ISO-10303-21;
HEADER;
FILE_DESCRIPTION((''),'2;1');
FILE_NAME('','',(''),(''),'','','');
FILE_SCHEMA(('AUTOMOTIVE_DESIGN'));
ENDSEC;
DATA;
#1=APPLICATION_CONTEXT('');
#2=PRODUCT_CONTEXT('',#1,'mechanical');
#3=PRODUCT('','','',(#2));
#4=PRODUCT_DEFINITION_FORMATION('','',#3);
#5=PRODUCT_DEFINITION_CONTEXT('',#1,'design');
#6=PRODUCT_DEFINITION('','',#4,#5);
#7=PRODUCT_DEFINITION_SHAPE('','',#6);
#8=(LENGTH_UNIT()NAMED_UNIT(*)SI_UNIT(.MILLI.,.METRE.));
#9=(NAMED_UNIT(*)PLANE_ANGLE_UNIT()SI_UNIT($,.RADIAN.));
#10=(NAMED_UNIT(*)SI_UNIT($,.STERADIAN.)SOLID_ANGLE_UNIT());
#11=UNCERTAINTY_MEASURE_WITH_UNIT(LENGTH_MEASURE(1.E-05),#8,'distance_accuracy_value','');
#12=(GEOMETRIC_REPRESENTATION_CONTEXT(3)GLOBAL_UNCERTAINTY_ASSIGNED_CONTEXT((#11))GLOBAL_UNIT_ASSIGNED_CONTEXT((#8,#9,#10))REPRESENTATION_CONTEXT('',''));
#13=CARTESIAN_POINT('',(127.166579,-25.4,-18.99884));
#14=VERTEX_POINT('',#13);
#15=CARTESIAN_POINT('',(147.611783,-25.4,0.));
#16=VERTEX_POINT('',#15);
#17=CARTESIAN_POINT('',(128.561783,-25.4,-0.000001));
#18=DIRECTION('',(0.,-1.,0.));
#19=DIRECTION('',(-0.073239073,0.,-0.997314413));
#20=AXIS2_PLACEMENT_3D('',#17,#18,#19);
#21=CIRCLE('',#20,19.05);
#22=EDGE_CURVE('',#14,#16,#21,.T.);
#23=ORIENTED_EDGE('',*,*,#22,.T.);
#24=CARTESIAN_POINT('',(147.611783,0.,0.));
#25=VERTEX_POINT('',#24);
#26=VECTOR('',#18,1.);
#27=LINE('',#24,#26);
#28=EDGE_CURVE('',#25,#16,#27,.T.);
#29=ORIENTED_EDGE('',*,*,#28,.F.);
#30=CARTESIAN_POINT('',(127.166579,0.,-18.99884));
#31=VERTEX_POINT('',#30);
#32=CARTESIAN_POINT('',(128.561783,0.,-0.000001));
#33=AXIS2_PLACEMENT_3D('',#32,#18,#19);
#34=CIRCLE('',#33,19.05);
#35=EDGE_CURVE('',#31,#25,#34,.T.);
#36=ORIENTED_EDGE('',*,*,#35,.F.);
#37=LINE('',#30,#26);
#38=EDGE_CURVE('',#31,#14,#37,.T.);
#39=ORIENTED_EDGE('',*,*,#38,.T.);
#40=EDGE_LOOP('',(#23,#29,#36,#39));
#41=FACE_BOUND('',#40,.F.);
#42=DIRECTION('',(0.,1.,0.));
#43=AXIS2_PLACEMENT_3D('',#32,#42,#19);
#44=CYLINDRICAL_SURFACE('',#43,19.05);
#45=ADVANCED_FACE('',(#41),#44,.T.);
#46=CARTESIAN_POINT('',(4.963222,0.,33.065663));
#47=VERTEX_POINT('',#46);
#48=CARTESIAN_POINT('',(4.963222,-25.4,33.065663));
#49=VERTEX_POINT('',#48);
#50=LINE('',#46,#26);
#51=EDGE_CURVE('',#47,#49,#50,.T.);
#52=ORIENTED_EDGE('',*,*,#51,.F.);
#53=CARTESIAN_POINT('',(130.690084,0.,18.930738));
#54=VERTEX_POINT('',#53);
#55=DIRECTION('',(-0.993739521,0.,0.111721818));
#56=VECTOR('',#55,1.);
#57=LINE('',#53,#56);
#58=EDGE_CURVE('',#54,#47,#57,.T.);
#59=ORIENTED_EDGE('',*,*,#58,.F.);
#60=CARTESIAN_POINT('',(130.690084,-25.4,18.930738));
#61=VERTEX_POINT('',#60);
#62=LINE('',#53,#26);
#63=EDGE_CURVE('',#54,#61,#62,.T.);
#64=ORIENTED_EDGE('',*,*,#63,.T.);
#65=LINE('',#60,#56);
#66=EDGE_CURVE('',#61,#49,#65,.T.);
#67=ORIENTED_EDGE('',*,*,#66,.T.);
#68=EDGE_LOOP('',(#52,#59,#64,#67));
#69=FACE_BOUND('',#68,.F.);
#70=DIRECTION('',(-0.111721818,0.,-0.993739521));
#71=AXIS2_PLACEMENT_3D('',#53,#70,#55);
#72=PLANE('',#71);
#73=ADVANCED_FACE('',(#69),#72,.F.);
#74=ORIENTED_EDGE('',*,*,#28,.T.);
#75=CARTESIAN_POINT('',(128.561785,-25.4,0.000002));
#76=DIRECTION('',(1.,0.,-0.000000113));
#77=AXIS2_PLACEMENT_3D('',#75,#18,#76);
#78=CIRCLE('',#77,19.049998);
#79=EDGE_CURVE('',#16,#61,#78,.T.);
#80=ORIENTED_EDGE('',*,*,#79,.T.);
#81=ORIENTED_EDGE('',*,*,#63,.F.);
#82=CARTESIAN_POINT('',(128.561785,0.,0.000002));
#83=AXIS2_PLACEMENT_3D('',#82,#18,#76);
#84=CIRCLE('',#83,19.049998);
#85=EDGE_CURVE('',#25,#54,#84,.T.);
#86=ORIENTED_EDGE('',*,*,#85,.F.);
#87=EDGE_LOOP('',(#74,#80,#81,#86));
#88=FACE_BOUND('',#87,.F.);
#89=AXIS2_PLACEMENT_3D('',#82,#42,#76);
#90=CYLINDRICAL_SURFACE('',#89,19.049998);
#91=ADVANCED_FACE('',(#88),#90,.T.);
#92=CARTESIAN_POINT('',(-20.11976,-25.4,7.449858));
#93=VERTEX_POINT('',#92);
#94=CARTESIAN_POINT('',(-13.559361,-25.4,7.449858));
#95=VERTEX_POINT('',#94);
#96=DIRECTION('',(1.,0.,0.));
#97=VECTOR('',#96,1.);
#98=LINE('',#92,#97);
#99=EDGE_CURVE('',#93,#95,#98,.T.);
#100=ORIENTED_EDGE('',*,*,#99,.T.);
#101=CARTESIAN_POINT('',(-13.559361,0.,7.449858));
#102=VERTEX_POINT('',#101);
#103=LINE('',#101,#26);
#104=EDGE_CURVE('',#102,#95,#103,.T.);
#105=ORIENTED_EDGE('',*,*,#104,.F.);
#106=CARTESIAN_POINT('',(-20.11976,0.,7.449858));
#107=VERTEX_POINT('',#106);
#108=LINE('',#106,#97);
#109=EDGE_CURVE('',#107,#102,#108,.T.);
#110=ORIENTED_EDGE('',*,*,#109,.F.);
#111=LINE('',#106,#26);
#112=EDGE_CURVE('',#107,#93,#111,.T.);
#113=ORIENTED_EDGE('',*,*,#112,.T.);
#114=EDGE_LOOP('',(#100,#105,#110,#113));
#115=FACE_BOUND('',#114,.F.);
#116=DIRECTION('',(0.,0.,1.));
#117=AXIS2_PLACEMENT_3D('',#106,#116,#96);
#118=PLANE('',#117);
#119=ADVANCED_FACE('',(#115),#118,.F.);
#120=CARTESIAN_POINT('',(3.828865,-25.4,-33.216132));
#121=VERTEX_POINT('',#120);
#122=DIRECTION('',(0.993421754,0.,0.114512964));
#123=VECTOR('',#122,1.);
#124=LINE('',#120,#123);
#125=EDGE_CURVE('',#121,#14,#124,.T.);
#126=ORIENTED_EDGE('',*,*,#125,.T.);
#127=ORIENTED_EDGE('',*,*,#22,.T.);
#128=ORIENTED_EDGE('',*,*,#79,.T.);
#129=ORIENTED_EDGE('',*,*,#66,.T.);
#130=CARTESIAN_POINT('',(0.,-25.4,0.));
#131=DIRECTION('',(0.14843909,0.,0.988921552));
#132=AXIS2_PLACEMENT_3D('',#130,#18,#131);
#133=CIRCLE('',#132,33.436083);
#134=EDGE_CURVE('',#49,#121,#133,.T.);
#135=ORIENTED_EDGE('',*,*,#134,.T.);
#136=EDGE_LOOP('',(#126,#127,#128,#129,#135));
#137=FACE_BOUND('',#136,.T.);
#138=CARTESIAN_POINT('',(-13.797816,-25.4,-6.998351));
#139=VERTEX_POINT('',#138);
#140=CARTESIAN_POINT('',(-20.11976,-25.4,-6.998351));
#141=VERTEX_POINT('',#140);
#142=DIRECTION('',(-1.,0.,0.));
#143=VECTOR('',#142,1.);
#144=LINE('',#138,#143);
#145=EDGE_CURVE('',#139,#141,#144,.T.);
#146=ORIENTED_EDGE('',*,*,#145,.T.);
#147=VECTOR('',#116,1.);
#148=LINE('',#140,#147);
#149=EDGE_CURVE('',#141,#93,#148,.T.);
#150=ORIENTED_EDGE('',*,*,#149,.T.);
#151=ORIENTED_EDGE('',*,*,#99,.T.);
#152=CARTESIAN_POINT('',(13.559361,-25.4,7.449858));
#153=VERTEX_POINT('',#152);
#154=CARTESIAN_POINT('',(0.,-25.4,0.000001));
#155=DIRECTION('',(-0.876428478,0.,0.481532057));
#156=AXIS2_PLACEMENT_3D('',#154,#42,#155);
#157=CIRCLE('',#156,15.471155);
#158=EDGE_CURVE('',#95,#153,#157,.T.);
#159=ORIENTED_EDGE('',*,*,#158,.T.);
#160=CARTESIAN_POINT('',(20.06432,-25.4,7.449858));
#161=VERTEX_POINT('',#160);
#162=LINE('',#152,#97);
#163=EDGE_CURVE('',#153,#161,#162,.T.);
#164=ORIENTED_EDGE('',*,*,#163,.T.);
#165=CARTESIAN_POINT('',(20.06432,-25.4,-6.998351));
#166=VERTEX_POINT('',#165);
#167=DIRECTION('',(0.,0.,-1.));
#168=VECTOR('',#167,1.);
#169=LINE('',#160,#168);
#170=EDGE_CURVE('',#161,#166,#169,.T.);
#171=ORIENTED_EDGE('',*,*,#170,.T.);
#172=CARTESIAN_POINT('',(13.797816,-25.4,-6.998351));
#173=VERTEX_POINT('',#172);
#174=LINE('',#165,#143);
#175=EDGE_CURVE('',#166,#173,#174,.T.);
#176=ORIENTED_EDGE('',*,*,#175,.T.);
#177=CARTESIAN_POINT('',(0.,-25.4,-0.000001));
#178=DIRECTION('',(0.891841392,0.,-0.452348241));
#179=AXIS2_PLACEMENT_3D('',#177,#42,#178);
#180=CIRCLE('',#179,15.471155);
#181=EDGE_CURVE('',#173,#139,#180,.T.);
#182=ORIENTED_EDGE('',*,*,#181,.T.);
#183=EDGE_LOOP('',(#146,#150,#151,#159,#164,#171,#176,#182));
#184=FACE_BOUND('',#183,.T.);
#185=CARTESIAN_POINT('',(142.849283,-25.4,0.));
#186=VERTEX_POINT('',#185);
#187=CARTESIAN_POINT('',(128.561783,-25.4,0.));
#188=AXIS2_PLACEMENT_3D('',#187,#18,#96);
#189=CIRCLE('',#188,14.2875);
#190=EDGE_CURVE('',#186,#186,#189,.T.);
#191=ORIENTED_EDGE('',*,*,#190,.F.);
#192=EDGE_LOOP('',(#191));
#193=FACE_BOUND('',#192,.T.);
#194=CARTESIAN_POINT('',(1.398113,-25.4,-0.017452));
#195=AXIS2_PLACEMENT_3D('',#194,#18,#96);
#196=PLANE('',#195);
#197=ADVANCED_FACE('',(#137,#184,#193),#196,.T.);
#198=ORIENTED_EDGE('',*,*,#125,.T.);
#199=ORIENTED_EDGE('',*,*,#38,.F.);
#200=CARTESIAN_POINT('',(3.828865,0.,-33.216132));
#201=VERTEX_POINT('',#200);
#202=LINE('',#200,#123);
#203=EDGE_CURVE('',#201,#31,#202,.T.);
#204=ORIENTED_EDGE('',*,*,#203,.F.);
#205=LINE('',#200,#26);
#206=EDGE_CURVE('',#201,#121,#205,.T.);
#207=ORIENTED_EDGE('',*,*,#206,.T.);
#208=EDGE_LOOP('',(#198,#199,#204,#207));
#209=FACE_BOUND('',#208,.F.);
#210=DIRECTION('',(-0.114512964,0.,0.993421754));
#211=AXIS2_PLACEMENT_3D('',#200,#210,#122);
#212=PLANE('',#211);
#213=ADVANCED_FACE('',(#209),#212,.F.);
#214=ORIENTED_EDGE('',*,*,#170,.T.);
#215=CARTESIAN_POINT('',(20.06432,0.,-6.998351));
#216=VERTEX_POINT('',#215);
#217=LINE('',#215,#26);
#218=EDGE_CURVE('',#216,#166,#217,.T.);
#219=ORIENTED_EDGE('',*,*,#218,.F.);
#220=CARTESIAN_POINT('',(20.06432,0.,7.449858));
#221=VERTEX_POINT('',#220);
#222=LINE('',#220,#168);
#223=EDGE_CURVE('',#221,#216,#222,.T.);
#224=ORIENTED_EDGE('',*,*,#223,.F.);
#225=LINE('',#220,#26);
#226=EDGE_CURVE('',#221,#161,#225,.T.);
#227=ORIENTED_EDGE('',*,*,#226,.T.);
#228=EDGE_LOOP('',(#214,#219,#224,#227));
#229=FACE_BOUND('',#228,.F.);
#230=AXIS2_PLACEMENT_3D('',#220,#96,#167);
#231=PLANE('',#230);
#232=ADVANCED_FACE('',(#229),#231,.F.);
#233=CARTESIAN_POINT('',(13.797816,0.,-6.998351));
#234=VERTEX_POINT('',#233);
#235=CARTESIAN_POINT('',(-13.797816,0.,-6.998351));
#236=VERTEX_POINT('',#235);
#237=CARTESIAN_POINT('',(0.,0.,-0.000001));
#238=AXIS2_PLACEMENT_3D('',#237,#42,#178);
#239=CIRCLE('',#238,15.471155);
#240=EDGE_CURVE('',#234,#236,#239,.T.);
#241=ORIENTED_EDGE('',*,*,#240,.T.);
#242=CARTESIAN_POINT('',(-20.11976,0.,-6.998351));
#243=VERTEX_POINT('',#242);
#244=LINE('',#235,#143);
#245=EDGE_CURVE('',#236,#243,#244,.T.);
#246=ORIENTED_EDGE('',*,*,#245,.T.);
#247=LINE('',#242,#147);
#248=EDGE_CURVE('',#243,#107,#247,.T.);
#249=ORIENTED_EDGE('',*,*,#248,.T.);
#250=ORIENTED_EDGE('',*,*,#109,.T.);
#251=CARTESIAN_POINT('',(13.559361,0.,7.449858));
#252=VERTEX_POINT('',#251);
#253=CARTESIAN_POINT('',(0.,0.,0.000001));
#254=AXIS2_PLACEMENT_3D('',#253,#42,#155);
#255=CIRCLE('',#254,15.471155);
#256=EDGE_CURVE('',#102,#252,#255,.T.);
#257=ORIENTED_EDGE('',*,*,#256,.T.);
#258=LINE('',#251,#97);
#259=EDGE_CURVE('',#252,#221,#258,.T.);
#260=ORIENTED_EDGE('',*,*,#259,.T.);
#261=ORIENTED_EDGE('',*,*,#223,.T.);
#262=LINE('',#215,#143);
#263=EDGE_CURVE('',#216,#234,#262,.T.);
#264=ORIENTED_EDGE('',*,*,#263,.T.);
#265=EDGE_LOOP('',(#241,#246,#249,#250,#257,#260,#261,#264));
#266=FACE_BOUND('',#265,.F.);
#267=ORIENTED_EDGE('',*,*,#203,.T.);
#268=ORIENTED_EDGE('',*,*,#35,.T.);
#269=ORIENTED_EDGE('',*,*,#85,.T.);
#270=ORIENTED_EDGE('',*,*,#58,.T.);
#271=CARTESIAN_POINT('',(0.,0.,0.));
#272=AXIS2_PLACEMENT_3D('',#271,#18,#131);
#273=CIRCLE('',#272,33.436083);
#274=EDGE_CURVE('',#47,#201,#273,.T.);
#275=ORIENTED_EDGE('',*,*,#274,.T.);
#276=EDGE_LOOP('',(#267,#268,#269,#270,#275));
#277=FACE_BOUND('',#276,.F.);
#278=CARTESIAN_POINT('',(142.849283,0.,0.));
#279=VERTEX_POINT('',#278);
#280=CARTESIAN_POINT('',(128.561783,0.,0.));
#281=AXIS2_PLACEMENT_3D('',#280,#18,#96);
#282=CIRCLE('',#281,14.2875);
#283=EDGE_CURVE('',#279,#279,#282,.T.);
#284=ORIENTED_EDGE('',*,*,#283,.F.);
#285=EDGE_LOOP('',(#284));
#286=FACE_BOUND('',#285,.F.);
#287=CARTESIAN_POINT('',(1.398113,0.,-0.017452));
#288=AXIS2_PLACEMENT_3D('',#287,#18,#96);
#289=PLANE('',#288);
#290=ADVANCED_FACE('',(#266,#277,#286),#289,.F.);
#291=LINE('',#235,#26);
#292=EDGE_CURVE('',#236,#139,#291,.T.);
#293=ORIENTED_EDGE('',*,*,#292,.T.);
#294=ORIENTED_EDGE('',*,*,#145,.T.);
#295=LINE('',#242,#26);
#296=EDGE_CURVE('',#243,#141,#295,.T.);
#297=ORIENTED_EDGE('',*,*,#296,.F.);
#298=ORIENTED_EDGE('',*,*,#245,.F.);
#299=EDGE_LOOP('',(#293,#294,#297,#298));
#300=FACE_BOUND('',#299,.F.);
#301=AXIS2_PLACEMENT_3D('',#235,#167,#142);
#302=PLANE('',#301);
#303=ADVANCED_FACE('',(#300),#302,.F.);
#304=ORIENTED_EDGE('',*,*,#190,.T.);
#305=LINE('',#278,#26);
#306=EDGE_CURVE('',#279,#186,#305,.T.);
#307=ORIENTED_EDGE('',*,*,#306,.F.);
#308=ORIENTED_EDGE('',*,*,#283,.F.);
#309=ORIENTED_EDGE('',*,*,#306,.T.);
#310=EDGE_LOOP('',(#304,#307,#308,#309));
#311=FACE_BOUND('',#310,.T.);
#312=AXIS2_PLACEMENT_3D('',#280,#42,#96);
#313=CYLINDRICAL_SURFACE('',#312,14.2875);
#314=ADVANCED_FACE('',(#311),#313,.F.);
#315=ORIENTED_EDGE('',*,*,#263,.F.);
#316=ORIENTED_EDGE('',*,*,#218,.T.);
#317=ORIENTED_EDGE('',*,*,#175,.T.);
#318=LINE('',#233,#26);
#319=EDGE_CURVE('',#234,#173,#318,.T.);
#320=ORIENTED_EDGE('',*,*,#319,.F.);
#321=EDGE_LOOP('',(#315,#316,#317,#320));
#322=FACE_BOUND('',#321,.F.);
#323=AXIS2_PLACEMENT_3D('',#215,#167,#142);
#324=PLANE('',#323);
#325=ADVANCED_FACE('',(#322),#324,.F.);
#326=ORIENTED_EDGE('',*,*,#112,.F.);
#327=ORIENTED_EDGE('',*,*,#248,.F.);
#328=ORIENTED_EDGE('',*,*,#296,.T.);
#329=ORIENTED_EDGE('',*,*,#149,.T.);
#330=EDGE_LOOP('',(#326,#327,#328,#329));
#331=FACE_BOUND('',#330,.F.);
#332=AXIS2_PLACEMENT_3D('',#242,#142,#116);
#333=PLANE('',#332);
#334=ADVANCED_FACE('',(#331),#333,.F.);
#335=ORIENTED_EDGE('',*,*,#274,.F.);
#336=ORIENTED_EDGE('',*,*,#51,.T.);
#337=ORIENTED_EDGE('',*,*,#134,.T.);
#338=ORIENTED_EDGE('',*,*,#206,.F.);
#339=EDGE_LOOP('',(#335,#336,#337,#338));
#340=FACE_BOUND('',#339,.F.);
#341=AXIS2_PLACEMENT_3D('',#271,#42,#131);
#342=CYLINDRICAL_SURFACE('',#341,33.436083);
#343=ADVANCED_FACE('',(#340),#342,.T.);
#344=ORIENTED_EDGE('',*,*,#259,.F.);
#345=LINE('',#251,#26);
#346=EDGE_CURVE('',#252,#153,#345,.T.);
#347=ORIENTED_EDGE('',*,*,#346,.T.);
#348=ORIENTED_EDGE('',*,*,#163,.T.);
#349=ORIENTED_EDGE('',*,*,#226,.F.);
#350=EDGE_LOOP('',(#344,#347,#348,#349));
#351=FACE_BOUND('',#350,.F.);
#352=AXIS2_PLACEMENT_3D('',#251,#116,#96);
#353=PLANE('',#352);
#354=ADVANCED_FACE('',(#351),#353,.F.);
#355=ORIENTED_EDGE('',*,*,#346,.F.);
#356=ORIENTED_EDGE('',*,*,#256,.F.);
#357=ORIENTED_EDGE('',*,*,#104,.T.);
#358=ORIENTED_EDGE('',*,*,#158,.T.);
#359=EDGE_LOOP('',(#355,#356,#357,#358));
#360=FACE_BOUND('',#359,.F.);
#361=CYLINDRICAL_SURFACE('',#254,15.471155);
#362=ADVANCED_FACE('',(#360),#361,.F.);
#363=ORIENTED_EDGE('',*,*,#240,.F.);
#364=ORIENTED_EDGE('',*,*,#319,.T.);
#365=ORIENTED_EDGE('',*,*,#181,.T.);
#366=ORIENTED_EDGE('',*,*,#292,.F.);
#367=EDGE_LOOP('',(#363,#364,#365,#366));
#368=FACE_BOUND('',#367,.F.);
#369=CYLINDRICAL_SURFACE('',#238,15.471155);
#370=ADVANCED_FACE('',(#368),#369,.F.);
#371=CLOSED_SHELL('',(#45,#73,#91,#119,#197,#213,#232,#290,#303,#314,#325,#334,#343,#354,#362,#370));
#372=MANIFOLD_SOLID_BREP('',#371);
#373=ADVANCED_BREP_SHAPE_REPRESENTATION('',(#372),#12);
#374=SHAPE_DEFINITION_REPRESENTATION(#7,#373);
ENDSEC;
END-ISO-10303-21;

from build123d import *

# Parameters (mm, degrees)
F0_R     = 14.2875
F1_DEPTH = 25.4


with BuildPart() as f1:
    # F0 (on Front) → F1 (new body)
    with BuildSketch(Plane.XZ):
        with BuildLine():
            ThreePointArc((3.828865, -33.216132), (24.959907, -22.248027), (33.436083, 0))
            ThreePointArc((33.436083, 0), (25.336953, 21.817664), (4.963222, 33.065663))
            ThreePointArc((4.963222, 33.065663), (-33.431187, 0.572147), (3.828865, -33.216132))
        make_face()
        with BuildLine():
            ThreePointArc((-13.559361, 7.449858), (0, 15.471156), (13.559361, 7.449858))
            Line((13.559361, 7.449858), (20.06432, 7.449858))
            Line((20.06432, 7.449858), (20.06432, -6.998351))
            Line((20.06432, -6.998351), (13.797816, -6.998351))
            ThreePointArc((13.797816, -6.998351), (0, -15.471156), (-13.797816, -6.998351))
            Line((-13.797816, -6.998351), (-20.11976, -6.998351))
            Line((-20.11976, -6.998351), (-20.11976, 7.449858))
            Line((-20.11976, 7.449858), (-13.559361, 7.449858))
        make_face(mode=Mode.SUBTRACT)
        with BuildLine():
            ThreePointArc((4.963222, 33.065663), (25.336953, 21.817664), (33.436083, 0))
            ThreePointArc((33.436083, 0), (24.959907, -22.248027), (3.828865, -33.216132))
            Line((3.828865, -33.216132), (127.166579, -18.99884))
            ThreePointArc((127.166579, -18.99884), (109.593453, 1.762081), (130.690084, 18.930738))
            Line((130.690084, 18.930738), (4.963222, 33.065663))
        make_face()
        with BuildLine():
            ThreePointArc((147.611783, 0), (142.764717, 12.695637), (130.690084, 18.930738))
            ThreePointArc((130.690084, 18.930738), (109.593453, 1.762081), (127.166579, -18.99884))
            ThreePointArc((127.166579, -18.99884), (141.52951, -13.954948), (147.611783, 0))
        make_face()
        with Locations((128.561783, 0)):
            Circle(F0_R, mode=Mode.SUBTRACT)
    extrude(amount=F1_DEPTH)


solid = f1.part
